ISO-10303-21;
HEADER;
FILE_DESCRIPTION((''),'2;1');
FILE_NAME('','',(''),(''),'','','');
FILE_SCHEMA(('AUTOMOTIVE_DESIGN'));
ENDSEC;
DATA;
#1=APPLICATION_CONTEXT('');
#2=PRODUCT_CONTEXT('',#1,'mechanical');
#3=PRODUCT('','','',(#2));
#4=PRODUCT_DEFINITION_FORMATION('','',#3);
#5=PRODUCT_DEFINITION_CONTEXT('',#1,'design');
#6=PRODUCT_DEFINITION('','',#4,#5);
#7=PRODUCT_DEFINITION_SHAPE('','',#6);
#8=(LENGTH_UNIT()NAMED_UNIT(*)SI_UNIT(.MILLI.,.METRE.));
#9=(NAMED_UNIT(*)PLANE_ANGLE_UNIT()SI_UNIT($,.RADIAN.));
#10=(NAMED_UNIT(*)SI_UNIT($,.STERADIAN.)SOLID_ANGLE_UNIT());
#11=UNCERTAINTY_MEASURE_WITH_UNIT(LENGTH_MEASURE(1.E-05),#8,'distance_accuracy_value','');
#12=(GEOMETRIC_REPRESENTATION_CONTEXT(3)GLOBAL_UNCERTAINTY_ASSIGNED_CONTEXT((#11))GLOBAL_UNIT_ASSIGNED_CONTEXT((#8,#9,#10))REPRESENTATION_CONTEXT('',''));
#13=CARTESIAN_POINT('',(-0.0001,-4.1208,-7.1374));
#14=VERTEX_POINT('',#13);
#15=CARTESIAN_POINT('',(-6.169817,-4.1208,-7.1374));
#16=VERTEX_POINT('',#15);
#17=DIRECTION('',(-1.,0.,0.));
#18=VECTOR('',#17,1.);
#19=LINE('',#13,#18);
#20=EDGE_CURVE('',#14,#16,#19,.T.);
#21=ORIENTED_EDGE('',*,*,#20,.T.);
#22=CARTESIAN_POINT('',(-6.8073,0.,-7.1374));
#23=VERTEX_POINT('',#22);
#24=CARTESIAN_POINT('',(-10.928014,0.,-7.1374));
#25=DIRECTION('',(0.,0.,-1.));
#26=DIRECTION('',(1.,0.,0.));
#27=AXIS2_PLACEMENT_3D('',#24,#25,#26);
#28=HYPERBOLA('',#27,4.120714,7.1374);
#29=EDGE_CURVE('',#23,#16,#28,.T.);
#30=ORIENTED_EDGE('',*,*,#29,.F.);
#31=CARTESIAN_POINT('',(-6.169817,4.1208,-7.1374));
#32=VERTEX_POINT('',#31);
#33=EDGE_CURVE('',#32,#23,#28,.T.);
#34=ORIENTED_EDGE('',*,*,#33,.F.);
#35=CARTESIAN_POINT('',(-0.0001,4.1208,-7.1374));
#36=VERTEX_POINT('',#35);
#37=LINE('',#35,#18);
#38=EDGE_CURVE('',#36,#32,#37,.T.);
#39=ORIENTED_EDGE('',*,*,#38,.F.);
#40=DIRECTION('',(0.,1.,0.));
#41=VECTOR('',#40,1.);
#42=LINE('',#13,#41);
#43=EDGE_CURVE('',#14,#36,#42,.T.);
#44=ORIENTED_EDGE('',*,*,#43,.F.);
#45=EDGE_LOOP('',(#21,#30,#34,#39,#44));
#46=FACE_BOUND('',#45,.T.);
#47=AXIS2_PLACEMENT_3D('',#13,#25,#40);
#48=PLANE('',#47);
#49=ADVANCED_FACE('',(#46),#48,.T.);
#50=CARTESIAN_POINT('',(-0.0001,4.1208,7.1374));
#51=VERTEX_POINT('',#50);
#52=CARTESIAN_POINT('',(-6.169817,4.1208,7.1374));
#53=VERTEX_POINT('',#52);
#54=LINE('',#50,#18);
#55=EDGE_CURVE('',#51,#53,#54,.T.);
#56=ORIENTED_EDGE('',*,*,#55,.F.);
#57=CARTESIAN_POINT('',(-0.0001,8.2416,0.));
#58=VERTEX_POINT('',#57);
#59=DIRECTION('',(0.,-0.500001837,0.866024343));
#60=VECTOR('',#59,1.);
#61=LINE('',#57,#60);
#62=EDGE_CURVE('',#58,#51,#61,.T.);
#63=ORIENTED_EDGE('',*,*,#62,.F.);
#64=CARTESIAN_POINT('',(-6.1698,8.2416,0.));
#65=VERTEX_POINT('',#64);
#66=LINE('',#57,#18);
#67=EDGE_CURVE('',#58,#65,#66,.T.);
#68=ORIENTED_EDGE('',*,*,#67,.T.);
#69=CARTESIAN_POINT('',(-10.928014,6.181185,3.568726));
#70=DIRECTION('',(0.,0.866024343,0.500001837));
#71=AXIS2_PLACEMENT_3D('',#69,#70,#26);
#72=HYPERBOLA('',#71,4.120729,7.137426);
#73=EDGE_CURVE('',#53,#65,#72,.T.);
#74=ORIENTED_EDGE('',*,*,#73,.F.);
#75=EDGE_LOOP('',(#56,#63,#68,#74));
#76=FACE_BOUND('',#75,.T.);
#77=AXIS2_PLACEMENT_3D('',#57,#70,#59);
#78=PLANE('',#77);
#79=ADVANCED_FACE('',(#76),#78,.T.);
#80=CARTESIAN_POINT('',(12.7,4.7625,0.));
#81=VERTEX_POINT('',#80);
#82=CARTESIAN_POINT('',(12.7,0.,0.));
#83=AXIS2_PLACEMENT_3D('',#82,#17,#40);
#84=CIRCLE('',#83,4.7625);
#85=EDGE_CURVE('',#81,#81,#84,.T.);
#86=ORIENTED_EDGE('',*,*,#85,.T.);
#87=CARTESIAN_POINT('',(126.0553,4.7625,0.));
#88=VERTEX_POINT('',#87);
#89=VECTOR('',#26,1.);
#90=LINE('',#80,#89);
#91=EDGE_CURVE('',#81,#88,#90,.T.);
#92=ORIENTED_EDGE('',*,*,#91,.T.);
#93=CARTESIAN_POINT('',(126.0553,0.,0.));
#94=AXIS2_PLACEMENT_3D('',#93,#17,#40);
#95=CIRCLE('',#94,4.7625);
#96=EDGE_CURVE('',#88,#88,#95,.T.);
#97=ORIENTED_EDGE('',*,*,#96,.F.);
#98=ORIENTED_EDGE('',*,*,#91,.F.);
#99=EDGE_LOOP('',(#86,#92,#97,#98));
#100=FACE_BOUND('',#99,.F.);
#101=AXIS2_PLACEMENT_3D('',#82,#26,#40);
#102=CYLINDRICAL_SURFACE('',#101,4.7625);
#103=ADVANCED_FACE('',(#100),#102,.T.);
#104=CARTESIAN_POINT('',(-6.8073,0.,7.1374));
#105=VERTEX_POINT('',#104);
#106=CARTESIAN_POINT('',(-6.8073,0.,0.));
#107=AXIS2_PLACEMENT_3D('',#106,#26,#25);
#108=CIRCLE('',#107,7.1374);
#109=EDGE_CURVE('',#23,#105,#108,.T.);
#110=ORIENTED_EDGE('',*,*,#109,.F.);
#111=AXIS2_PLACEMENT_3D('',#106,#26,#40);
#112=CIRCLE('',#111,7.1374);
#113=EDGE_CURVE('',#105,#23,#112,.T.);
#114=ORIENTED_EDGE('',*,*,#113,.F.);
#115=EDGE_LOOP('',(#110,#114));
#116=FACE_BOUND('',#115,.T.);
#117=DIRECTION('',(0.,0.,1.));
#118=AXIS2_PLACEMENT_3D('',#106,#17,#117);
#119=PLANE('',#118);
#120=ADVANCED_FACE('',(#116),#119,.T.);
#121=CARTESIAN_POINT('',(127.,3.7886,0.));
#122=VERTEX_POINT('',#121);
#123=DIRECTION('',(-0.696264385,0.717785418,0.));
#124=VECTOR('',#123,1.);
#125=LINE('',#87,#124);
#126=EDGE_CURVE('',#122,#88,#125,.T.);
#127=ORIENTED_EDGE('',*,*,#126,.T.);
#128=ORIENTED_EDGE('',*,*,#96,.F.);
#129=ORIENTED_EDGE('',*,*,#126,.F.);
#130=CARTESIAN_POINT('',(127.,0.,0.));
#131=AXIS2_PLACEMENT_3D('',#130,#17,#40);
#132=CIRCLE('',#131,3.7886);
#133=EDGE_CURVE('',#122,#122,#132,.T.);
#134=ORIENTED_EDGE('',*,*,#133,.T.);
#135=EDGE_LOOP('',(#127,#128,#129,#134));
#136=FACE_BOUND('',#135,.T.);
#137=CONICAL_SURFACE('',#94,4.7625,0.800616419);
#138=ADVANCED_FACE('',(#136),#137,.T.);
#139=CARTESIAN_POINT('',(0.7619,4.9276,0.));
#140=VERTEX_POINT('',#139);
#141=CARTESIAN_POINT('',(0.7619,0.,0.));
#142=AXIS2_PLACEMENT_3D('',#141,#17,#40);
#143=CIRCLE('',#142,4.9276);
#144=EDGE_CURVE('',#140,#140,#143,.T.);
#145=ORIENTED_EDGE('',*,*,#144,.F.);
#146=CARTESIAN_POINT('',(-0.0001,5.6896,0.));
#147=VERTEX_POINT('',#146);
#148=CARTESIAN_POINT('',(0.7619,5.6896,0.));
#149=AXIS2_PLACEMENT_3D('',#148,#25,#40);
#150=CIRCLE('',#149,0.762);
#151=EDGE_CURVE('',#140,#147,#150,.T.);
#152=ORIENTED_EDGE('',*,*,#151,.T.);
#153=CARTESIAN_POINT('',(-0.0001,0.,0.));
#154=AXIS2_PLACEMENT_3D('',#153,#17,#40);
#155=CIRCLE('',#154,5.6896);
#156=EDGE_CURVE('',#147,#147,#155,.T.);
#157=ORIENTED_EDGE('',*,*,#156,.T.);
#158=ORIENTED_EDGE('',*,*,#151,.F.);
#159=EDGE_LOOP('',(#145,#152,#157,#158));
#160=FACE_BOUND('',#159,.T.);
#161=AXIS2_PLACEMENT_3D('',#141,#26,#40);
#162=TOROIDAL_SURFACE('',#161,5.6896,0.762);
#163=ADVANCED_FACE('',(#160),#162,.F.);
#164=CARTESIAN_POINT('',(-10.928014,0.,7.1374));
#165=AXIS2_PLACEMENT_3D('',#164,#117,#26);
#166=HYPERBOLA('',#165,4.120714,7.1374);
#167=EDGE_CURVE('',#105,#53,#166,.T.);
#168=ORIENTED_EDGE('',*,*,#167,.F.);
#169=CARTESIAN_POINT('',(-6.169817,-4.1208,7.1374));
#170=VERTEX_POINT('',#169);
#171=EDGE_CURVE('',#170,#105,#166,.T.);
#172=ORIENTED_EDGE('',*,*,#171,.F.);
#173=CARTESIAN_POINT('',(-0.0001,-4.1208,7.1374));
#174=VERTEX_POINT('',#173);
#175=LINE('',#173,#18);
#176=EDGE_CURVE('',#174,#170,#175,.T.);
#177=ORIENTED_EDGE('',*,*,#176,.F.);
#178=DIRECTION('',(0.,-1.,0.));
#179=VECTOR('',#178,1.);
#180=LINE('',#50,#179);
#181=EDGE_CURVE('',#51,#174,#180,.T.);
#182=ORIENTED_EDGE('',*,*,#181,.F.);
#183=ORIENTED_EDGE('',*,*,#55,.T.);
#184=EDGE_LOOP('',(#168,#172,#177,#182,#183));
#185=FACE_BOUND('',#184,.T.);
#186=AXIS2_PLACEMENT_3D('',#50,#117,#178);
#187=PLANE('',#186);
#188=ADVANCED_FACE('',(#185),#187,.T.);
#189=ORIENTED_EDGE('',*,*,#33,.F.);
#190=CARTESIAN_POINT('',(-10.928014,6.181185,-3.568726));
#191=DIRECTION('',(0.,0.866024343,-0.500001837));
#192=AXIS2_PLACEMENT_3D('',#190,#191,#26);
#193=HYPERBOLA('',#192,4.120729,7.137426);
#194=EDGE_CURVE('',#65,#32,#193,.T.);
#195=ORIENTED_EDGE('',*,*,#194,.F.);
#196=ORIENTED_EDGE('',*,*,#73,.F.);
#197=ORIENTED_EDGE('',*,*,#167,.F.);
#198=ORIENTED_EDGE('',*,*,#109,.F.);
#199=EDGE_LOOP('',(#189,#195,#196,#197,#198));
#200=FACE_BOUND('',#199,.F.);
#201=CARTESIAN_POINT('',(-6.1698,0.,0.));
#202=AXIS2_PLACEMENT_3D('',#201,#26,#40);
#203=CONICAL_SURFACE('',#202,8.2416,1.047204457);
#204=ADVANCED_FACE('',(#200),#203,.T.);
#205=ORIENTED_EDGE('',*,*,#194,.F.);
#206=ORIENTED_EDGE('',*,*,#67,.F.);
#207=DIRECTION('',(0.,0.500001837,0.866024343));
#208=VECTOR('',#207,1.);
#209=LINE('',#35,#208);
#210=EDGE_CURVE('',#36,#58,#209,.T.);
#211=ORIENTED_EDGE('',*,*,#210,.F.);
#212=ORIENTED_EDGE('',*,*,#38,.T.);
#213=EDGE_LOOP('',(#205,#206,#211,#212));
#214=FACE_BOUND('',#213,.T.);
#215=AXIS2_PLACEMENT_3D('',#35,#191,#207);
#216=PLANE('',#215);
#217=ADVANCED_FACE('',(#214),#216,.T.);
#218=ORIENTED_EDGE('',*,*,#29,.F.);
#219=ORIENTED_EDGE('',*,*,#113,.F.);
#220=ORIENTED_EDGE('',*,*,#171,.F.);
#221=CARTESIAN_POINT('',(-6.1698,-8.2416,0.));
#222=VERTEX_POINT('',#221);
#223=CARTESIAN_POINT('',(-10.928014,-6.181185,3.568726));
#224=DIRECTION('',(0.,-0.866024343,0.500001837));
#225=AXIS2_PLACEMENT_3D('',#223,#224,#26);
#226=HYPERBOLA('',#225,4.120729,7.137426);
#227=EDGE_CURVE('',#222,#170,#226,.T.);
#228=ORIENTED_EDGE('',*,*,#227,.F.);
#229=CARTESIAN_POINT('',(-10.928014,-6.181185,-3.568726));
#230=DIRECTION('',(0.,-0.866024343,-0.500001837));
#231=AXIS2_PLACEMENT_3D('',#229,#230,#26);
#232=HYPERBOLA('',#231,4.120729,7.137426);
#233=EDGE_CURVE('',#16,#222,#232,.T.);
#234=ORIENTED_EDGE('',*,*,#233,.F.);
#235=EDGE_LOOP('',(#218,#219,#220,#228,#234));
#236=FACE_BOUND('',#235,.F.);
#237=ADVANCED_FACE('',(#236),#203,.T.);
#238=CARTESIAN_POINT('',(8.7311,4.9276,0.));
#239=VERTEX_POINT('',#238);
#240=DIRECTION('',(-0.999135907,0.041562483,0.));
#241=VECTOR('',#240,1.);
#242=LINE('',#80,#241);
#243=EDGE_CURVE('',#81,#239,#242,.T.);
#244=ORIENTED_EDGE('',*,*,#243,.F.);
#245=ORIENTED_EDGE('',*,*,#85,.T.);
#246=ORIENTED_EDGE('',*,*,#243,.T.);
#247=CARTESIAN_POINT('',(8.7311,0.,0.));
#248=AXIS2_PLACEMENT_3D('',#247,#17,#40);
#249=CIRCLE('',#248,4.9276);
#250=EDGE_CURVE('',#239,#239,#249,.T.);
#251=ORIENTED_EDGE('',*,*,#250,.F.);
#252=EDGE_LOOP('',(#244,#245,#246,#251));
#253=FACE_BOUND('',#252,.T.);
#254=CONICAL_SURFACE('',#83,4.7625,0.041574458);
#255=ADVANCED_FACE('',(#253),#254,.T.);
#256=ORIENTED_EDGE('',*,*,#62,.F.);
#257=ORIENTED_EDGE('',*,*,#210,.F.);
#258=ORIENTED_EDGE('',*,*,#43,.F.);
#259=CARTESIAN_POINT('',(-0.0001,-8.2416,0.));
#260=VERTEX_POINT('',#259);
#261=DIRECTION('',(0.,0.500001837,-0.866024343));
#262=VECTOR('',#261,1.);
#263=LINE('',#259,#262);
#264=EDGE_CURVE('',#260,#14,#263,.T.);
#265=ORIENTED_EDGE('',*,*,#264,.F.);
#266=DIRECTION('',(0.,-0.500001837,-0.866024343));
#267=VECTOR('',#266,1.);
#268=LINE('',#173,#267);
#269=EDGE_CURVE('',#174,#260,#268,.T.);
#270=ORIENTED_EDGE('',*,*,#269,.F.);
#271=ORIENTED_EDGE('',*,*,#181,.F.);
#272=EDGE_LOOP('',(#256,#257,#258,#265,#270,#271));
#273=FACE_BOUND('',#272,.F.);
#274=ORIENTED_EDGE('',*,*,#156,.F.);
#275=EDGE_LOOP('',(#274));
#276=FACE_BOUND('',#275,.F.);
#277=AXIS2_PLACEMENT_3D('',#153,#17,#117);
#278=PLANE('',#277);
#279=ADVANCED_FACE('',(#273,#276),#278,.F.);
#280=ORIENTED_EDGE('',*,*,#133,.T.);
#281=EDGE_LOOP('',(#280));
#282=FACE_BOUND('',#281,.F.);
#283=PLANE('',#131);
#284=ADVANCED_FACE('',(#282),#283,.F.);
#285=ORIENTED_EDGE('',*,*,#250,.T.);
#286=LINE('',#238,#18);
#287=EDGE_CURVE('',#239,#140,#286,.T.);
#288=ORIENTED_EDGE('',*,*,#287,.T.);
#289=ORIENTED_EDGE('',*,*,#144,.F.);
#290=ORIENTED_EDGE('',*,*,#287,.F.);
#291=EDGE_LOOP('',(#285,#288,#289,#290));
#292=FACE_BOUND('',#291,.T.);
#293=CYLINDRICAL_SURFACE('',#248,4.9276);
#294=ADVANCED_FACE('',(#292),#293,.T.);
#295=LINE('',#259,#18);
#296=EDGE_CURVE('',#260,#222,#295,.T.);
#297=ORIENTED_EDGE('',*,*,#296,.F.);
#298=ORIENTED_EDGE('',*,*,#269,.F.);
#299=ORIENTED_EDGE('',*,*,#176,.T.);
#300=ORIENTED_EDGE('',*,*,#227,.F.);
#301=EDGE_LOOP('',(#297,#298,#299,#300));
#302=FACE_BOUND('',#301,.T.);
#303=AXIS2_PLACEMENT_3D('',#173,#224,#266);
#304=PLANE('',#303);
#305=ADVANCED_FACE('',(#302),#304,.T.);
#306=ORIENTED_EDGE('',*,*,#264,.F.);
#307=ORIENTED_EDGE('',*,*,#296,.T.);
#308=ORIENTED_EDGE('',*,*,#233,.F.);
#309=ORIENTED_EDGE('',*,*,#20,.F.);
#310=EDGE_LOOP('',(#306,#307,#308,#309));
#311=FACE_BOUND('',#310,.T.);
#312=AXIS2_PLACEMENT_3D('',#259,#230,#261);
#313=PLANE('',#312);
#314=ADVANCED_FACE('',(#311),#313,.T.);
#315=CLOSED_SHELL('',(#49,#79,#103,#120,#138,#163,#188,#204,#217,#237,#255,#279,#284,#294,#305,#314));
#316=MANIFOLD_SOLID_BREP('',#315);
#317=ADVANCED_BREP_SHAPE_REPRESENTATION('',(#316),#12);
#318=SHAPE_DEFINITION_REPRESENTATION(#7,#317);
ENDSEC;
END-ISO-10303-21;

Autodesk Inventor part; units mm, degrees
ref_plane "YZ Plane" through (0, 0, 0) normal (1, 0, 0) x (0, 1, 0)
ref_plane "XZ Plane" through (0, 0, 0) normal (0, 1, 0) x (-1, 0, 0)
sketch "Sketch1" plane through (0, 0, 0) normal (0, 0, 1) x (1, 0, 0)
  line L0 (0, 7.1374) -> (0, 4.9276)
  line L1 (12.7, 4.7625) -> (127, 4.7625)
  line L2 (127, 4.7625) -> (127, 0)
  line L3 (127, 0) -> (-0.0001, 0)
  line L4 (-25.4001, 0) -> (152.4, 0) projected
  line L5 (-0.0001, 0) -> (-0.0001, 7.1374)
  line L6 (-0.0001, 7.1374) -> (0, 7.1374)
  line L7 (12.7, 4.7625) -> (8.7311, 4.9276)
  line L8 (8.7311, 4.9276) -> (0, 4.9276)
  line L9 (0, -1.4275) -> (0, 8.5649) projected
  dimension "d0" = 127
  dimension "d1" = 114.3
revolve "Body" add sketch "Sketch1" angle 360 about axis through (127, 0, 0) along (-1, 0, 0)
sketch "Sketch2" plane through (-0.0001, 0, 0) normal (-1, 0, 0) x (0, 0, 1)
  line L0 (0, 8.2416) -> (7.1374, 4.1208)
  line L1 (7.1374, 4.1208) -> (7.1374, -4.1208)
  line L2 (7.1374, -4.1208) -> (0, -8.2416)
  line L3 (0, -8.2416) -> (-7.1374, -4.1208)
  line L4 (-7.1374, -4.1208) -> (-7.1374, 4.1208)
  line L5 (-7.1374, 4.1208) -> (0, 8.2416)
  point P0 (0, 0)
  point P1 (0, 0)
  dimension "d11" = 14.2748
extrude "Head" add sketch "Sketch2" along normal blind 6.8072
sketch "Sketch4" plane through (0, 0, 0) normal (0, 0, 1) x (1, 0, 0)
  line L0 (-6.8073, 7.1374) -> (-6.8073, 8.2416)
  line L1 (-6.8073, 8.2416) -> (-6.1698, 8.2416)
  line L2 (-6.1698, 8.2416) -> (-6.8073, 7.1374)
  line L3 (-8.1687, 0) -> (1.3613, 0) projected
  line L4 (-0.0001, 8.2416) -> (-6.8073, 8.2416) projected
  line L5 (-6.8073, 4.1208) -> (-6.8073, 8.2416) projected
  dimension "d5" = 30
  dimension "d19" = 14.2748
revolve "Chamfer1" cut sketch "Sketch4" angle 360 about axis through (-10, 0, 0) along (1, 0, 0)
thread "Thread" size "3/8-16 UNC" class "2A" standard "ANSI Unified Screw Threads" full length
chamfer "Chamfer2" distance 0.9739 distance2 0.9447 1 edges at (127, -4.7625, 0) measured on face at (127, -0.1914, -0.5295)
ref_plane "Work Plane1" through (1.525, 0, 0) normal (0, 0, 1) x (1, 0, 0)
fillet "Fillet2" radius 0.762 1 edges at (0, -4.9276, 0)
equation "\"d11\" = SW"
equation "\"d3\" = KOH - SD"
equation "\"d63\" = R"
equation "\"d15\" = GEL"
equation "\"d6\" = -0.5 * SPD + 0.5 * GD"
equation "\"d5\" = ANG1"
equation "\"d19\" = SW0"
equation "\"NLG\" = 190.5"
equation "\"GD\" = NND"
equation "\"BDM\" = 9.8552"
equation "\"KOH\" = 6.8072"
equation "\"GEL\" = 31.75"
equation "\"SW\" = 14.2748"
equation "\"SW0\" = SW"
equation "\"SPD\" = GD1"
equation "\"SD2\" = SW"
equation "\"SD\" = 0"
equation "\"ANG1\" = 30deg"
equation "\"GAL\" = 3.96875"
equation "\"GUL\" = 0.238 * GAL"
equation "\"R\" = 0.762"
equation "\"d62\" = -NLG - SD + GUL"
equation "\"GD1\" = 7.5773"
equation "\"THREADDIA\" = 9.525"
equation "\"TOA\" = 30deg"
equation "\"NND\" = 9.525"
equation "\"E0\" = 1.155 * SW"
properties part number "am-1055" material "Steel, Mild"
